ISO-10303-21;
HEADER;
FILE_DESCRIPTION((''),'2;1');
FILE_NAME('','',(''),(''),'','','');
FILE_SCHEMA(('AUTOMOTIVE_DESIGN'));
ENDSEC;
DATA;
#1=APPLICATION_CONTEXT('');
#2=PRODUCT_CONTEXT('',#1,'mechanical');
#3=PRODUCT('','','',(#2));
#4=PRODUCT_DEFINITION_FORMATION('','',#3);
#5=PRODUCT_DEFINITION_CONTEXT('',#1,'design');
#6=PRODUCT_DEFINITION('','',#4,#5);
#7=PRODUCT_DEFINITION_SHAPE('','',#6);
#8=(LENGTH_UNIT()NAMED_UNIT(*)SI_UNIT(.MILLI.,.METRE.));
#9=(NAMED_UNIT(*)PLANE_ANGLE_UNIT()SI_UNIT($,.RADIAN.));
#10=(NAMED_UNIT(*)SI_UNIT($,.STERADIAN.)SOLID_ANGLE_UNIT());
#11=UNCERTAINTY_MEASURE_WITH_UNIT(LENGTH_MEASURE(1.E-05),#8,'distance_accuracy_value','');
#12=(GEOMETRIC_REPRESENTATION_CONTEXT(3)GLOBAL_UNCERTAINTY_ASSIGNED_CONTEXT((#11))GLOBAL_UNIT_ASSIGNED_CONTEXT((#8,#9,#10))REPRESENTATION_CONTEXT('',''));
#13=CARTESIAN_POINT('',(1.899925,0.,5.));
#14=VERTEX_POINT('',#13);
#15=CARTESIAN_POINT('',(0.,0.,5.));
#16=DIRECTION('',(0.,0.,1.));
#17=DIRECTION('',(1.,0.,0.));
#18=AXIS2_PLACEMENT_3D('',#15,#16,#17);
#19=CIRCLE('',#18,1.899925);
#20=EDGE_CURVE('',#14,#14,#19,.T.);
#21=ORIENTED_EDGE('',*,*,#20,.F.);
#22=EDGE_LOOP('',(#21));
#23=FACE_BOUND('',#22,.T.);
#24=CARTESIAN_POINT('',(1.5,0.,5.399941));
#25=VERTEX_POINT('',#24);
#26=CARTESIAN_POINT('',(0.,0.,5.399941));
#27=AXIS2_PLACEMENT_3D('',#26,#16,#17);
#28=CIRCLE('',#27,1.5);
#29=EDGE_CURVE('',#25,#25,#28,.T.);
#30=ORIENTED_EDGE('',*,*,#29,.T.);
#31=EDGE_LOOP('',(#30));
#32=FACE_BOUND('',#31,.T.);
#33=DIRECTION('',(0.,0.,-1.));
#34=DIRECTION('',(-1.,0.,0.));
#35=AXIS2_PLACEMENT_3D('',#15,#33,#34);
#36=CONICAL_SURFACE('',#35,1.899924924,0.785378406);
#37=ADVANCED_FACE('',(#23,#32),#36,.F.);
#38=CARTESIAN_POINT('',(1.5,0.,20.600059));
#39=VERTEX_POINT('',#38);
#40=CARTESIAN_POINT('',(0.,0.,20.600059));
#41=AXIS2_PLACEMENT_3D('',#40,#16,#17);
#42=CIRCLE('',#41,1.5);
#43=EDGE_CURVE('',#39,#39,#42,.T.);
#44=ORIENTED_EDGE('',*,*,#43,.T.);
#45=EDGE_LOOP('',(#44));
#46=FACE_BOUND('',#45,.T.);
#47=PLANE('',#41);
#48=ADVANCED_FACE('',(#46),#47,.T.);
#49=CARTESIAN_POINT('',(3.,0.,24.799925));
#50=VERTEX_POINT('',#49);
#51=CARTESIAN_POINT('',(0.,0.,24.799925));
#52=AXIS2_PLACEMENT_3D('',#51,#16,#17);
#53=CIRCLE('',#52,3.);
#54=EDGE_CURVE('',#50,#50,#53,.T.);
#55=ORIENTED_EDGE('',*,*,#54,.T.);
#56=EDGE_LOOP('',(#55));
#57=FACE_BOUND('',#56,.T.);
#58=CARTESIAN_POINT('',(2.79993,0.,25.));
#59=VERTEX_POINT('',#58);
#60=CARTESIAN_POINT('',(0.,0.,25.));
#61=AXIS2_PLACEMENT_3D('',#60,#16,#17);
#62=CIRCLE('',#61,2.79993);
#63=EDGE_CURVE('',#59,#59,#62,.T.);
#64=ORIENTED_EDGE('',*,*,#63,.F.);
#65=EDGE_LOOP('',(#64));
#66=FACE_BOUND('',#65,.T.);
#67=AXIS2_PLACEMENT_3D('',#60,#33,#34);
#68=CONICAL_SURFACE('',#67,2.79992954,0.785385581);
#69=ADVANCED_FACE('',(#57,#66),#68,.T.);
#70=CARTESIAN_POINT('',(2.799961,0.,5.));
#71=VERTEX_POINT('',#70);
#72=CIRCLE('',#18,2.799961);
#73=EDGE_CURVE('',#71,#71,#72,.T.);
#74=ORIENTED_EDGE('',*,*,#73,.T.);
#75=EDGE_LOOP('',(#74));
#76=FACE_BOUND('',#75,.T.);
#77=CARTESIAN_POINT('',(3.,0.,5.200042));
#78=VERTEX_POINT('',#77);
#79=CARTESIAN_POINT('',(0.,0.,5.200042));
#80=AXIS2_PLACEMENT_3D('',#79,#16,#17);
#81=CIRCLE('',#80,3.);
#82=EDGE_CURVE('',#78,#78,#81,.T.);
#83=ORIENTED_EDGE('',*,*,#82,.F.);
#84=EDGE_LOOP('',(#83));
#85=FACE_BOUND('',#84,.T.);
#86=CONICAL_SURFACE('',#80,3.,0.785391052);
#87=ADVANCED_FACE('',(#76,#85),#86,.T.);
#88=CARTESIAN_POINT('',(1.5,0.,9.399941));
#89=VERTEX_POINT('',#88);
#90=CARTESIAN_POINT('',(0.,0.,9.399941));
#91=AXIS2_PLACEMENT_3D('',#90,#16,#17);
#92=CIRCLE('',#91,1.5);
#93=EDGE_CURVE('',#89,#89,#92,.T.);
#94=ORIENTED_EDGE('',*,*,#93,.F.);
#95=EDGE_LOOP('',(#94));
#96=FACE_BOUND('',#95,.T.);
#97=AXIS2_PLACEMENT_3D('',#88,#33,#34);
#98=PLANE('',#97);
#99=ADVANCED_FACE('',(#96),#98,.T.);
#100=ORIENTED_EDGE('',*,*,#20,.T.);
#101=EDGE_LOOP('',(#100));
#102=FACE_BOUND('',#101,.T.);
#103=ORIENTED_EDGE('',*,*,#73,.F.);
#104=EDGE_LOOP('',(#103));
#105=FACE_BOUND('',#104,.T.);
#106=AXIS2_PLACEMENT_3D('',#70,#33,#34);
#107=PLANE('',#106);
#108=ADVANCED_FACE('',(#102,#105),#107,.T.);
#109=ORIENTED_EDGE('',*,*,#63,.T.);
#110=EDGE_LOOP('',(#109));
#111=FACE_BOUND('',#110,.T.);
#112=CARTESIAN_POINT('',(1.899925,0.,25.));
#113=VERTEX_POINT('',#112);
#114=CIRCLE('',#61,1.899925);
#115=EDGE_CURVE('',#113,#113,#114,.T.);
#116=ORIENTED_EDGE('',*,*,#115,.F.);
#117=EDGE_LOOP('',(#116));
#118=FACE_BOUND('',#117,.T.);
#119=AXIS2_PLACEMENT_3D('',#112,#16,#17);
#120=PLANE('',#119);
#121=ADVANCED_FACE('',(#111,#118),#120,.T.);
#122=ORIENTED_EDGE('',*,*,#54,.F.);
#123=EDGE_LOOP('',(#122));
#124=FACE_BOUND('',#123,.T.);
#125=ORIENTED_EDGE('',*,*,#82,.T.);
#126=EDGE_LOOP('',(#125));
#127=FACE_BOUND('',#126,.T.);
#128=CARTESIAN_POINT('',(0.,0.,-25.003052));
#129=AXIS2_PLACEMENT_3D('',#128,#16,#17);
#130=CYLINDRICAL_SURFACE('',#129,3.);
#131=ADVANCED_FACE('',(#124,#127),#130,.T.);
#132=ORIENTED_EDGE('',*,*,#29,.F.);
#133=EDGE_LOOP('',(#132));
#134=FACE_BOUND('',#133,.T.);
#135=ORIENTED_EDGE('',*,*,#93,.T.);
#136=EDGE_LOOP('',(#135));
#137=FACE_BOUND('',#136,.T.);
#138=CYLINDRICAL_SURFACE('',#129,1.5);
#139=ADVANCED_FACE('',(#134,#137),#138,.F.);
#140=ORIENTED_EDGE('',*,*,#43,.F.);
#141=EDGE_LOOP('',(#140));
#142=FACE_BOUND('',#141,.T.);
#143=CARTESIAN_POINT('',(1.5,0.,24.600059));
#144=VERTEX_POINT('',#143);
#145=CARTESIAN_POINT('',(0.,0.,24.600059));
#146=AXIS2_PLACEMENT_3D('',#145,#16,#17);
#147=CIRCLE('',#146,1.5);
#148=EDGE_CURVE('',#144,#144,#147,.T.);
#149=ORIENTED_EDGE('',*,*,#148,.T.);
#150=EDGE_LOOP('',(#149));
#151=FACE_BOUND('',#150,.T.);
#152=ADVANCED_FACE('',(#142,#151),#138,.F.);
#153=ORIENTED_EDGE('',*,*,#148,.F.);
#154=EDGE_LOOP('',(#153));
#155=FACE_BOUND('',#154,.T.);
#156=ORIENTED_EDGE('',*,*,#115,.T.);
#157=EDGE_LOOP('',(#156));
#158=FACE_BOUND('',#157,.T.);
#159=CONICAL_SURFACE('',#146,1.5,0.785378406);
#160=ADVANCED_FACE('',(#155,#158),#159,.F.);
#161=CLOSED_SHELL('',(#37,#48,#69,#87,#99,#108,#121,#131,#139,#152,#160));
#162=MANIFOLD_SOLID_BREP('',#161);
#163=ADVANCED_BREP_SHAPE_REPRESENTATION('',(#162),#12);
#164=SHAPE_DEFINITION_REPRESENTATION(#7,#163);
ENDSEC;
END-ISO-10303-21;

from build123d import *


with BuildPart() as part:
    # 草图1 → 旋转1 (revolve)
    with BuildSketch(Plane(origin=(0, 0, 0), x_dir=(1, 0, 0), z_dir=(0, 1, 0))):
        Polygon((1.5, -9.399940727), (0, -9.399940727), (0, -20.600059273), (1.5, -20.600059273), (1.5, -24.600059273), (1.899924924, -25), (2.79992954, -25), (3, -24.799924505), (3, -5.200041756), (2.799961089, -5), (1.899924924, -5), (1.5, -5.399940727), align=None)
    revolve(axis=Axis((0, 0, -25.003051641), (0, 0, 1)))


solid = part.part
